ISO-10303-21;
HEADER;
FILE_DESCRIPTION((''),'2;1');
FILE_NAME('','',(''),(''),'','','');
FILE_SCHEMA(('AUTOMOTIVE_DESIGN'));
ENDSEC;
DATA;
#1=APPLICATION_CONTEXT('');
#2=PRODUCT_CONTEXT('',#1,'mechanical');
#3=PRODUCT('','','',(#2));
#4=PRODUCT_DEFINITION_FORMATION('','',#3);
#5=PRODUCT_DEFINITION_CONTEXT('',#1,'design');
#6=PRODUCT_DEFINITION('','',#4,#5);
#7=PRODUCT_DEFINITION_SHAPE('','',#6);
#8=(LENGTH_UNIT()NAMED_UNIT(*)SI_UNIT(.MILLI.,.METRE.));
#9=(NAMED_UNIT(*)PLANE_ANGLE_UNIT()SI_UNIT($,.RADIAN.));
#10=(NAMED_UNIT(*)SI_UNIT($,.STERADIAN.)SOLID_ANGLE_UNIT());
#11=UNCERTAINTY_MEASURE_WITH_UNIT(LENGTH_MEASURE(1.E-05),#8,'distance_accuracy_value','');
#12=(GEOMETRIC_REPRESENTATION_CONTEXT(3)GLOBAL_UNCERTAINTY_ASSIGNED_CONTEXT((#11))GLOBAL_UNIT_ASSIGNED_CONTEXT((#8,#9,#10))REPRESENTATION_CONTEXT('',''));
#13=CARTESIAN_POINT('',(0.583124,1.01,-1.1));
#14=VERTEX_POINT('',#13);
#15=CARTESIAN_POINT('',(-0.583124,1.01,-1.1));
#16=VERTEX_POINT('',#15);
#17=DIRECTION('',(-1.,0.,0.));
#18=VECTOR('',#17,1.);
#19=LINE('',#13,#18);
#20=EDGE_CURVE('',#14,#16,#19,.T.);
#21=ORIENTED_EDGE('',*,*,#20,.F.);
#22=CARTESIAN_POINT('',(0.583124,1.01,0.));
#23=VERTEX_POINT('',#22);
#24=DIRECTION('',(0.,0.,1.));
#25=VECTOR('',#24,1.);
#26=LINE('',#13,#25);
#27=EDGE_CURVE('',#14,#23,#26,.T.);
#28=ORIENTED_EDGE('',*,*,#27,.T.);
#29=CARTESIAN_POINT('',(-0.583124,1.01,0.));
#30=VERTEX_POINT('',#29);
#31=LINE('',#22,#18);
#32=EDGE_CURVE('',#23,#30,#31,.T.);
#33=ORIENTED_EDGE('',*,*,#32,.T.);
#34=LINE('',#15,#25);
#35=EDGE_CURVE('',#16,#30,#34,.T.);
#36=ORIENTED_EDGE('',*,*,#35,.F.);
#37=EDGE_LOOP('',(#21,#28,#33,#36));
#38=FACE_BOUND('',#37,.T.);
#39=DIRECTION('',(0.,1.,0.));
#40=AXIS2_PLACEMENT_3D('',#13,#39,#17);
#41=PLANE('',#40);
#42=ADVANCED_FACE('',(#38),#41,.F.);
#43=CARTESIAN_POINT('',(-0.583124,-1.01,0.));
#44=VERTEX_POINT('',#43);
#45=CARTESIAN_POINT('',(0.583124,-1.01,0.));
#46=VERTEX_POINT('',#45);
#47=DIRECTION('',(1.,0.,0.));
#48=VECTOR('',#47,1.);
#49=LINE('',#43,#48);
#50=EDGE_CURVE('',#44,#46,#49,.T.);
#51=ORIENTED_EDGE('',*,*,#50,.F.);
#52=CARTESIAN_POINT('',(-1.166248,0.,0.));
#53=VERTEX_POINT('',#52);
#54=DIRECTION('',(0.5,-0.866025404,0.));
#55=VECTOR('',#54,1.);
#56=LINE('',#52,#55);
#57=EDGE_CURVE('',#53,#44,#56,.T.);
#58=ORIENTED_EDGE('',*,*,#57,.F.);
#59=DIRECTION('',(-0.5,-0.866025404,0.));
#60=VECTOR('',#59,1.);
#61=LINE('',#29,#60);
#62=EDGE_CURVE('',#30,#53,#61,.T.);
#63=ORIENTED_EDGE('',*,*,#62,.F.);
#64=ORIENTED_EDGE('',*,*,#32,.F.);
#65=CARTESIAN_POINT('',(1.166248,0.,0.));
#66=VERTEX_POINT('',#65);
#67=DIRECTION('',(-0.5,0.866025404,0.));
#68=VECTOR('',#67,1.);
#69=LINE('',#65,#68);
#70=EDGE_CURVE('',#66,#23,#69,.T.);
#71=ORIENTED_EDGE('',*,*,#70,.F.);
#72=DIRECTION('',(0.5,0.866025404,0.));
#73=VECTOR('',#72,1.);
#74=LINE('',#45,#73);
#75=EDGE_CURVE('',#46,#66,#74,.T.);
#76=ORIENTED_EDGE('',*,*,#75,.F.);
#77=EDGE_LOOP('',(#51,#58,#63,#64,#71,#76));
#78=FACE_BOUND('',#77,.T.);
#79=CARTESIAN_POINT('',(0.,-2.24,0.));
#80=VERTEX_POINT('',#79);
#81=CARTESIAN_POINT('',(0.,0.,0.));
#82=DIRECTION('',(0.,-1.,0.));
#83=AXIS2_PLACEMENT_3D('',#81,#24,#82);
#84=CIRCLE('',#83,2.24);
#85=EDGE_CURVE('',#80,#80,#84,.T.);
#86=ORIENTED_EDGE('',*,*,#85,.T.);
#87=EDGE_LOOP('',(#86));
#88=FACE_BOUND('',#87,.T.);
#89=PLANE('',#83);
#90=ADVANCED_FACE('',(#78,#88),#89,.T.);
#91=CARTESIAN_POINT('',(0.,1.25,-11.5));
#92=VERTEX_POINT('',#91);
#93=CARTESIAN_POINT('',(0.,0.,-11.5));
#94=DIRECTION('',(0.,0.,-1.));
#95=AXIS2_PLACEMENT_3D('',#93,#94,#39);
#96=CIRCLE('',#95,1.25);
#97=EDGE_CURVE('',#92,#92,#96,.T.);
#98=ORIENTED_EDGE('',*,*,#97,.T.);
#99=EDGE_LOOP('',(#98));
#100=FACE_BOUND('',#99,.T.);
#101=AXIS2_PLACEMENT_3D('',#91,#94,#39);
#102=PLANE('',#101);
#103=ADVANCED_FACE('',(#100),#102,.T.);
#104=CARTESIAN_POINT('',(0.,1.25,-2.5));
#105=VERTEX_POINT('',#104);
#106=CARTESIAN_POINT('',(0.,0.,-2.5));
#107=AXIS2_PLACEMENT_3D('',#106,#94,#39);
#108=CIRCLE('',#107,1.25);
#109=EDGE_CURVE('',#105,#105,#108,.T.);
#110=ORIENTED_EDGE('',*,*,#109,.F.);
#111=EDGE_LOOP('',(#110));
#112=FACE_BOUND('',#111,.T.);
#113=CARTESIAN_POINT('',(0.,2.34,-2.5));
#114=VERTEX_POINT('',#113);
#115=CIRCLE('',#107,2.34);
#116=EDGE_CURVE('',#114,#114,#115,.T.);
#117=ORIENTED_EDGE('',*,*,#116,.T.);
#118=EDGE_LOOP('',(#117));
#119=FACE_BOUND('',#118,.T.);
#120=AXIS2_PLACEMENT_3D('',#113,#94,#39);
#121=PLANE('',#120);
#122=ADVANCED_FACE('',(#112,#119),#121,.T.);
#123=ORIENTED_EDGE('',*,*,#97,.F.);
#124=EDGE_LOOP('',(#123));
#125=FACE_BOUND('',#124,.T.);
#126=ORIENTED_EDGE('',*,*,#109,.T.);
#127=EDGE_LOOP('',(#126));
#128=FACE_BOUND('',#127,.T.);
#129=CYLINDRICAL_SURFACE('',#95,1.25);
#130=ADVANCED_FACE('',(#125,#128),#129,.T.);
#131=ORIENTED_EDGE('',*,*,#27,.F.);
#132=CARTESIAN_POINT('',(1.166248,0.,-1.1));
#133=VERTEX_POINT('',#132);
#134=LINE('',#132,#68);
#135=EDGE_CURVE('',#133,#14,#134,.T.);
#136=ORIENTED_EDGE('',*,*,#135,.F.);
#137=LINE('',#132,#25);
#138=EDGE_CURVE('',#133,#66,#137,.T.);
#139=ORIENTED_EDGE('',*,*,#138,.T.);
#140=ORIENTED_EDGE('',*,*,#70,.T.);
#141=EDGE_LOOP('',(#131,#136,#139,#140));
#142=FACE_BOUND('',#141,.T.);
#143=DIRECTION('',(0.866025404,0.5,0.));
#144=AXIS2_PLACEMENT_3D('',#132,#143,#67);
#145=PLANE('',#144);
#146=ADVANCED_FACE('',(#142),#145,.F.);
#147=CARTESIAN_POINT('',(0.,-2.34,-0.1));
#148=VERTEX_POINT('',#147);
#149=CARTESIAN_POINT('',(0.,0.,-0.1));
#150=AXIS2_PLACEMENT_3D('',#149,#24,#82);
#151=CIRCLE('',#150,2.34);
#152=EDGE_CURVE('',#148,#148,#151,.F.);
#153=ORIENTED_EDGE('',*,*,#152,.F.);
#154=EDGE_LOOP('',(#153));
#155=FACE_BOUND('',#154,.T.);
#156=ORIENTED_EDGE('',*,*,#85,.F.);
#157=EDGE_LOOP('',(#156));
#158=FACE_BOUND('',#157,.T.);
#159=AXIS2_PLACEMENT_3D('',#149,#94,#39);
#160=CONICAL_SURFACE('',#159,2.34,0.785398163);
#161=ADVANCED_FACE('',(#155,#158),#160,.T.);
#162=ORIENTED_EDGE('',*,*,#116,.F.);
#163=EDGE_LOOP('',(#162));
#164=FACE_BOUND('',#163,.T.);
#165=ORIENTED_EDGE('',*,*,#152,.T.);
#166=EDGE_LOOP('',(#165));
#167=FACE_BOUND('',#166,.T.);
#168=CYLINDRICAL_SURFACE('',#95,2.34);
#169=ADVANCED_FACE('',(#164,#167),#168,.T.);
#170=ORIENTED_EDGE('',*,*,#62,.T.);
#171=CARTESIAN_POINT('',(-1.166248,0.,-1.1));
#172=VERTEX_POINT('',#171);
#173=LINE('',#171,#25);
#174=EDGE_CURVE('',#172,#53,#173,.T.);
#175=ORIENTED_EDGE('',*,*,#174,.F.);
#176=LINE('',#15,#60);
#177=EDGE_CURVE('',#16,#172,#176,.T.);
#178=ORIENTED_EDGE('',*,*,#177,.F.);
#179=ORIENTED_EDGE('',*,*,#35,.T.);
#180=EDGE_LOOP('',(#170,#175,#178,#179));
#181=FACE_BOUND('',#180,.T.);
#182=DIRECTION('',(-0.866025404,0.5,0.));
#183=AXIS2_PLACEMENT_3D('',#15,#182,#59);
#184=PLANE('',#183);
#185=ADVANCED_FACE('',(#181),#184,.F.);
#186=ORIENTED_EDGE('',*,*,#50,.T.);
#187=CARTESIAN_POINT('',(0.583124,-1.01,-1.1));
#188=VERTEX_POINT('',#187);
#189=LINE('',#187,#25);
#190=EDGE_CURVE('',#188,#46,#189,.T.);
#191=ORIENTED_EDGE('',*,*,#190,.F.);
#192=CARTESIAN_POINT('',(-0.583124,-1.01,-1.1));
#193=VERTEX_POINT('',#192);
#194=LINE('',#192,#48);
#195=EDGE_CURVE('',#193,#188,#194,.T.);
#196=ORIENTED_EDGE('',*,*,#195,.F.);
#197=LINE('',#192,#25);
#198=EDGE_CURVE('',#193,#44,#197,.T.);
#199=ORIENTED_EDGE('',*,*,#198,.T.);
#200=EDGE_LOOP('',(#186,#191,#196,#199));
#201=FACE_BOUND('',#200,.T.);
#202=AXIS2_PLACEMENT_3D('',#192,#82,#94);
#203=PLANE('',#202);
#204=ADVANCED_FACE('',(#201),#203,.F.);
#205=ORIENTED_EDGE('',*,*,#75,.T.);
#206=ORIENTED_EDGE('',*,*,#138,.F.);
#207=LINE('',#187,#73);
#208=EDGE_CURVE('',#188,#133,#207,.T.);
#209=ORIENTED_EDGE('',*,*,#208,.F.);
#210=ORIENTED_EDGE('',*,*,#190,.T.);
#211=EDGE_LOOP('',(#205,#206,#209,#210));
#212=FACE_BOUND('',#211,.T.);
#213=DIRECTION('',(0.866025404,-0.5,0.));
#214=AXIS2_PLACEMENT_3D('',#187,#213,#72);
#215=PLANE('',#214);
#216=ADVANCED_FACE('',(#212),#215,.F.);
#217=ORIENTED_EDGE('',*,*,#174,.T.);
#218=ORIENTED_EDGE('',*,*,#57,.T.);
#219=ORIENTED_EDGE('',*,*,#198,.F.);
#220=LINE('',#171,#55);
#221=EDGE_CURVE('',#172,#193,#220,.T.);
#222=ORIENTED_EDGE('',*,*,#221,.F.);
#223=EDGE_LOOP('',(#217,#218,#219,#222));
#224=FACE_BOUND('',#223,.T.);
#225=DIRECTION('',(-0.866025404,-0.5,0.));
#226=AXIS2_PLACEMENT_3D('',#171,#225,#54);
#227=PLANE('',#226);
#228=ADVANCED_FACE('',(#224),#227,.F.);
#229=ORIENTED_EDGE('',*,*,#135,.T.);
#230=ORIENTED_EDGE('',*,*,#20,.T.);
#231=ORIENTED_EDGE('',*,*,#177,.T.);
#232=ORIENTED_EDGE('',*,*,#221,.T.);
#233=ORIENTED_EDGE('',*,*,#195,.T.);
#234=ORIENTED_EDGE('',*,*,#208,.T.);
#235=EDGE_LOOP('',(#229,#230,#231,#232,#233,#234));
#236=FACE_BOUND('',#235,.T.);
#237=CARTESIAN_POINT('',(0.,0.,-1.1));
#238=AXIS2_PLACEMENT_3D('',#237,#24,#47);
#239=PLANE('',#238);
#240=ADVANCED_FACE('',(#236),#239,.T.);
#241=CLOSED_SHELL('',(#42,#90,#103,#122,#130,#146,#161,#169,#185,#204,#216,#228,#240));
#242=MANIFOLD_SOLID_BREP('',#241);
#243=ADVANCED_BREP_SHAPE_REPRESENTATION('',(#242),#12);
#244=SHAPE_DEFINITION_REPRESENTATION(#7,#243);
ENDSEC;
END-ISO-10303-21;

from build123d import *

# Parameters (mm, degrees)
CUT_EXTRUDE_1_DEPTH = 1.1
CHAMFER_628_SIZE    = 0.1


with BuildPart() as part:
    # 草图1 → 旋转1 (revolve)
    with BuildSketch(Plane(origin=(0, 0, 0), x_dir=(0, 0, -1), z_dir=(1, 0, 0))):
        Polygon((0, 0), (0, 2.34), (2.5, 2.34), (2.5, 1.25), (11.5, 1.25), (11.5, 0), align=None)
    revolve(axis=Axis((0, 0, -11.5), (0, 0, 1)))

    # 草图2 → 切除-拉伸1 (cut)
    with BuildSketch(Plane.XY):
        Polygon((0.583123772, 1.01), (-0.583123772, 1.01), (-1.166247544, 0), (-0.583123772, -1.01), (0.583123772, -1.01), (1.166247544, 0), align=None)
    extrude(amount=-CUT_EXTRUDE_1_DEPTH, mode=Mode.SUBTRACT)

    # Chamfer 628
    chamfer_628_edges = [part.edges().sort_by_distance(p)[0] for p in [
        (0, -2.34, 0),
    ]]
    chamfer(chamfer_628_edges, length=CHAMFER_628_SIZE)


solid = part.part
